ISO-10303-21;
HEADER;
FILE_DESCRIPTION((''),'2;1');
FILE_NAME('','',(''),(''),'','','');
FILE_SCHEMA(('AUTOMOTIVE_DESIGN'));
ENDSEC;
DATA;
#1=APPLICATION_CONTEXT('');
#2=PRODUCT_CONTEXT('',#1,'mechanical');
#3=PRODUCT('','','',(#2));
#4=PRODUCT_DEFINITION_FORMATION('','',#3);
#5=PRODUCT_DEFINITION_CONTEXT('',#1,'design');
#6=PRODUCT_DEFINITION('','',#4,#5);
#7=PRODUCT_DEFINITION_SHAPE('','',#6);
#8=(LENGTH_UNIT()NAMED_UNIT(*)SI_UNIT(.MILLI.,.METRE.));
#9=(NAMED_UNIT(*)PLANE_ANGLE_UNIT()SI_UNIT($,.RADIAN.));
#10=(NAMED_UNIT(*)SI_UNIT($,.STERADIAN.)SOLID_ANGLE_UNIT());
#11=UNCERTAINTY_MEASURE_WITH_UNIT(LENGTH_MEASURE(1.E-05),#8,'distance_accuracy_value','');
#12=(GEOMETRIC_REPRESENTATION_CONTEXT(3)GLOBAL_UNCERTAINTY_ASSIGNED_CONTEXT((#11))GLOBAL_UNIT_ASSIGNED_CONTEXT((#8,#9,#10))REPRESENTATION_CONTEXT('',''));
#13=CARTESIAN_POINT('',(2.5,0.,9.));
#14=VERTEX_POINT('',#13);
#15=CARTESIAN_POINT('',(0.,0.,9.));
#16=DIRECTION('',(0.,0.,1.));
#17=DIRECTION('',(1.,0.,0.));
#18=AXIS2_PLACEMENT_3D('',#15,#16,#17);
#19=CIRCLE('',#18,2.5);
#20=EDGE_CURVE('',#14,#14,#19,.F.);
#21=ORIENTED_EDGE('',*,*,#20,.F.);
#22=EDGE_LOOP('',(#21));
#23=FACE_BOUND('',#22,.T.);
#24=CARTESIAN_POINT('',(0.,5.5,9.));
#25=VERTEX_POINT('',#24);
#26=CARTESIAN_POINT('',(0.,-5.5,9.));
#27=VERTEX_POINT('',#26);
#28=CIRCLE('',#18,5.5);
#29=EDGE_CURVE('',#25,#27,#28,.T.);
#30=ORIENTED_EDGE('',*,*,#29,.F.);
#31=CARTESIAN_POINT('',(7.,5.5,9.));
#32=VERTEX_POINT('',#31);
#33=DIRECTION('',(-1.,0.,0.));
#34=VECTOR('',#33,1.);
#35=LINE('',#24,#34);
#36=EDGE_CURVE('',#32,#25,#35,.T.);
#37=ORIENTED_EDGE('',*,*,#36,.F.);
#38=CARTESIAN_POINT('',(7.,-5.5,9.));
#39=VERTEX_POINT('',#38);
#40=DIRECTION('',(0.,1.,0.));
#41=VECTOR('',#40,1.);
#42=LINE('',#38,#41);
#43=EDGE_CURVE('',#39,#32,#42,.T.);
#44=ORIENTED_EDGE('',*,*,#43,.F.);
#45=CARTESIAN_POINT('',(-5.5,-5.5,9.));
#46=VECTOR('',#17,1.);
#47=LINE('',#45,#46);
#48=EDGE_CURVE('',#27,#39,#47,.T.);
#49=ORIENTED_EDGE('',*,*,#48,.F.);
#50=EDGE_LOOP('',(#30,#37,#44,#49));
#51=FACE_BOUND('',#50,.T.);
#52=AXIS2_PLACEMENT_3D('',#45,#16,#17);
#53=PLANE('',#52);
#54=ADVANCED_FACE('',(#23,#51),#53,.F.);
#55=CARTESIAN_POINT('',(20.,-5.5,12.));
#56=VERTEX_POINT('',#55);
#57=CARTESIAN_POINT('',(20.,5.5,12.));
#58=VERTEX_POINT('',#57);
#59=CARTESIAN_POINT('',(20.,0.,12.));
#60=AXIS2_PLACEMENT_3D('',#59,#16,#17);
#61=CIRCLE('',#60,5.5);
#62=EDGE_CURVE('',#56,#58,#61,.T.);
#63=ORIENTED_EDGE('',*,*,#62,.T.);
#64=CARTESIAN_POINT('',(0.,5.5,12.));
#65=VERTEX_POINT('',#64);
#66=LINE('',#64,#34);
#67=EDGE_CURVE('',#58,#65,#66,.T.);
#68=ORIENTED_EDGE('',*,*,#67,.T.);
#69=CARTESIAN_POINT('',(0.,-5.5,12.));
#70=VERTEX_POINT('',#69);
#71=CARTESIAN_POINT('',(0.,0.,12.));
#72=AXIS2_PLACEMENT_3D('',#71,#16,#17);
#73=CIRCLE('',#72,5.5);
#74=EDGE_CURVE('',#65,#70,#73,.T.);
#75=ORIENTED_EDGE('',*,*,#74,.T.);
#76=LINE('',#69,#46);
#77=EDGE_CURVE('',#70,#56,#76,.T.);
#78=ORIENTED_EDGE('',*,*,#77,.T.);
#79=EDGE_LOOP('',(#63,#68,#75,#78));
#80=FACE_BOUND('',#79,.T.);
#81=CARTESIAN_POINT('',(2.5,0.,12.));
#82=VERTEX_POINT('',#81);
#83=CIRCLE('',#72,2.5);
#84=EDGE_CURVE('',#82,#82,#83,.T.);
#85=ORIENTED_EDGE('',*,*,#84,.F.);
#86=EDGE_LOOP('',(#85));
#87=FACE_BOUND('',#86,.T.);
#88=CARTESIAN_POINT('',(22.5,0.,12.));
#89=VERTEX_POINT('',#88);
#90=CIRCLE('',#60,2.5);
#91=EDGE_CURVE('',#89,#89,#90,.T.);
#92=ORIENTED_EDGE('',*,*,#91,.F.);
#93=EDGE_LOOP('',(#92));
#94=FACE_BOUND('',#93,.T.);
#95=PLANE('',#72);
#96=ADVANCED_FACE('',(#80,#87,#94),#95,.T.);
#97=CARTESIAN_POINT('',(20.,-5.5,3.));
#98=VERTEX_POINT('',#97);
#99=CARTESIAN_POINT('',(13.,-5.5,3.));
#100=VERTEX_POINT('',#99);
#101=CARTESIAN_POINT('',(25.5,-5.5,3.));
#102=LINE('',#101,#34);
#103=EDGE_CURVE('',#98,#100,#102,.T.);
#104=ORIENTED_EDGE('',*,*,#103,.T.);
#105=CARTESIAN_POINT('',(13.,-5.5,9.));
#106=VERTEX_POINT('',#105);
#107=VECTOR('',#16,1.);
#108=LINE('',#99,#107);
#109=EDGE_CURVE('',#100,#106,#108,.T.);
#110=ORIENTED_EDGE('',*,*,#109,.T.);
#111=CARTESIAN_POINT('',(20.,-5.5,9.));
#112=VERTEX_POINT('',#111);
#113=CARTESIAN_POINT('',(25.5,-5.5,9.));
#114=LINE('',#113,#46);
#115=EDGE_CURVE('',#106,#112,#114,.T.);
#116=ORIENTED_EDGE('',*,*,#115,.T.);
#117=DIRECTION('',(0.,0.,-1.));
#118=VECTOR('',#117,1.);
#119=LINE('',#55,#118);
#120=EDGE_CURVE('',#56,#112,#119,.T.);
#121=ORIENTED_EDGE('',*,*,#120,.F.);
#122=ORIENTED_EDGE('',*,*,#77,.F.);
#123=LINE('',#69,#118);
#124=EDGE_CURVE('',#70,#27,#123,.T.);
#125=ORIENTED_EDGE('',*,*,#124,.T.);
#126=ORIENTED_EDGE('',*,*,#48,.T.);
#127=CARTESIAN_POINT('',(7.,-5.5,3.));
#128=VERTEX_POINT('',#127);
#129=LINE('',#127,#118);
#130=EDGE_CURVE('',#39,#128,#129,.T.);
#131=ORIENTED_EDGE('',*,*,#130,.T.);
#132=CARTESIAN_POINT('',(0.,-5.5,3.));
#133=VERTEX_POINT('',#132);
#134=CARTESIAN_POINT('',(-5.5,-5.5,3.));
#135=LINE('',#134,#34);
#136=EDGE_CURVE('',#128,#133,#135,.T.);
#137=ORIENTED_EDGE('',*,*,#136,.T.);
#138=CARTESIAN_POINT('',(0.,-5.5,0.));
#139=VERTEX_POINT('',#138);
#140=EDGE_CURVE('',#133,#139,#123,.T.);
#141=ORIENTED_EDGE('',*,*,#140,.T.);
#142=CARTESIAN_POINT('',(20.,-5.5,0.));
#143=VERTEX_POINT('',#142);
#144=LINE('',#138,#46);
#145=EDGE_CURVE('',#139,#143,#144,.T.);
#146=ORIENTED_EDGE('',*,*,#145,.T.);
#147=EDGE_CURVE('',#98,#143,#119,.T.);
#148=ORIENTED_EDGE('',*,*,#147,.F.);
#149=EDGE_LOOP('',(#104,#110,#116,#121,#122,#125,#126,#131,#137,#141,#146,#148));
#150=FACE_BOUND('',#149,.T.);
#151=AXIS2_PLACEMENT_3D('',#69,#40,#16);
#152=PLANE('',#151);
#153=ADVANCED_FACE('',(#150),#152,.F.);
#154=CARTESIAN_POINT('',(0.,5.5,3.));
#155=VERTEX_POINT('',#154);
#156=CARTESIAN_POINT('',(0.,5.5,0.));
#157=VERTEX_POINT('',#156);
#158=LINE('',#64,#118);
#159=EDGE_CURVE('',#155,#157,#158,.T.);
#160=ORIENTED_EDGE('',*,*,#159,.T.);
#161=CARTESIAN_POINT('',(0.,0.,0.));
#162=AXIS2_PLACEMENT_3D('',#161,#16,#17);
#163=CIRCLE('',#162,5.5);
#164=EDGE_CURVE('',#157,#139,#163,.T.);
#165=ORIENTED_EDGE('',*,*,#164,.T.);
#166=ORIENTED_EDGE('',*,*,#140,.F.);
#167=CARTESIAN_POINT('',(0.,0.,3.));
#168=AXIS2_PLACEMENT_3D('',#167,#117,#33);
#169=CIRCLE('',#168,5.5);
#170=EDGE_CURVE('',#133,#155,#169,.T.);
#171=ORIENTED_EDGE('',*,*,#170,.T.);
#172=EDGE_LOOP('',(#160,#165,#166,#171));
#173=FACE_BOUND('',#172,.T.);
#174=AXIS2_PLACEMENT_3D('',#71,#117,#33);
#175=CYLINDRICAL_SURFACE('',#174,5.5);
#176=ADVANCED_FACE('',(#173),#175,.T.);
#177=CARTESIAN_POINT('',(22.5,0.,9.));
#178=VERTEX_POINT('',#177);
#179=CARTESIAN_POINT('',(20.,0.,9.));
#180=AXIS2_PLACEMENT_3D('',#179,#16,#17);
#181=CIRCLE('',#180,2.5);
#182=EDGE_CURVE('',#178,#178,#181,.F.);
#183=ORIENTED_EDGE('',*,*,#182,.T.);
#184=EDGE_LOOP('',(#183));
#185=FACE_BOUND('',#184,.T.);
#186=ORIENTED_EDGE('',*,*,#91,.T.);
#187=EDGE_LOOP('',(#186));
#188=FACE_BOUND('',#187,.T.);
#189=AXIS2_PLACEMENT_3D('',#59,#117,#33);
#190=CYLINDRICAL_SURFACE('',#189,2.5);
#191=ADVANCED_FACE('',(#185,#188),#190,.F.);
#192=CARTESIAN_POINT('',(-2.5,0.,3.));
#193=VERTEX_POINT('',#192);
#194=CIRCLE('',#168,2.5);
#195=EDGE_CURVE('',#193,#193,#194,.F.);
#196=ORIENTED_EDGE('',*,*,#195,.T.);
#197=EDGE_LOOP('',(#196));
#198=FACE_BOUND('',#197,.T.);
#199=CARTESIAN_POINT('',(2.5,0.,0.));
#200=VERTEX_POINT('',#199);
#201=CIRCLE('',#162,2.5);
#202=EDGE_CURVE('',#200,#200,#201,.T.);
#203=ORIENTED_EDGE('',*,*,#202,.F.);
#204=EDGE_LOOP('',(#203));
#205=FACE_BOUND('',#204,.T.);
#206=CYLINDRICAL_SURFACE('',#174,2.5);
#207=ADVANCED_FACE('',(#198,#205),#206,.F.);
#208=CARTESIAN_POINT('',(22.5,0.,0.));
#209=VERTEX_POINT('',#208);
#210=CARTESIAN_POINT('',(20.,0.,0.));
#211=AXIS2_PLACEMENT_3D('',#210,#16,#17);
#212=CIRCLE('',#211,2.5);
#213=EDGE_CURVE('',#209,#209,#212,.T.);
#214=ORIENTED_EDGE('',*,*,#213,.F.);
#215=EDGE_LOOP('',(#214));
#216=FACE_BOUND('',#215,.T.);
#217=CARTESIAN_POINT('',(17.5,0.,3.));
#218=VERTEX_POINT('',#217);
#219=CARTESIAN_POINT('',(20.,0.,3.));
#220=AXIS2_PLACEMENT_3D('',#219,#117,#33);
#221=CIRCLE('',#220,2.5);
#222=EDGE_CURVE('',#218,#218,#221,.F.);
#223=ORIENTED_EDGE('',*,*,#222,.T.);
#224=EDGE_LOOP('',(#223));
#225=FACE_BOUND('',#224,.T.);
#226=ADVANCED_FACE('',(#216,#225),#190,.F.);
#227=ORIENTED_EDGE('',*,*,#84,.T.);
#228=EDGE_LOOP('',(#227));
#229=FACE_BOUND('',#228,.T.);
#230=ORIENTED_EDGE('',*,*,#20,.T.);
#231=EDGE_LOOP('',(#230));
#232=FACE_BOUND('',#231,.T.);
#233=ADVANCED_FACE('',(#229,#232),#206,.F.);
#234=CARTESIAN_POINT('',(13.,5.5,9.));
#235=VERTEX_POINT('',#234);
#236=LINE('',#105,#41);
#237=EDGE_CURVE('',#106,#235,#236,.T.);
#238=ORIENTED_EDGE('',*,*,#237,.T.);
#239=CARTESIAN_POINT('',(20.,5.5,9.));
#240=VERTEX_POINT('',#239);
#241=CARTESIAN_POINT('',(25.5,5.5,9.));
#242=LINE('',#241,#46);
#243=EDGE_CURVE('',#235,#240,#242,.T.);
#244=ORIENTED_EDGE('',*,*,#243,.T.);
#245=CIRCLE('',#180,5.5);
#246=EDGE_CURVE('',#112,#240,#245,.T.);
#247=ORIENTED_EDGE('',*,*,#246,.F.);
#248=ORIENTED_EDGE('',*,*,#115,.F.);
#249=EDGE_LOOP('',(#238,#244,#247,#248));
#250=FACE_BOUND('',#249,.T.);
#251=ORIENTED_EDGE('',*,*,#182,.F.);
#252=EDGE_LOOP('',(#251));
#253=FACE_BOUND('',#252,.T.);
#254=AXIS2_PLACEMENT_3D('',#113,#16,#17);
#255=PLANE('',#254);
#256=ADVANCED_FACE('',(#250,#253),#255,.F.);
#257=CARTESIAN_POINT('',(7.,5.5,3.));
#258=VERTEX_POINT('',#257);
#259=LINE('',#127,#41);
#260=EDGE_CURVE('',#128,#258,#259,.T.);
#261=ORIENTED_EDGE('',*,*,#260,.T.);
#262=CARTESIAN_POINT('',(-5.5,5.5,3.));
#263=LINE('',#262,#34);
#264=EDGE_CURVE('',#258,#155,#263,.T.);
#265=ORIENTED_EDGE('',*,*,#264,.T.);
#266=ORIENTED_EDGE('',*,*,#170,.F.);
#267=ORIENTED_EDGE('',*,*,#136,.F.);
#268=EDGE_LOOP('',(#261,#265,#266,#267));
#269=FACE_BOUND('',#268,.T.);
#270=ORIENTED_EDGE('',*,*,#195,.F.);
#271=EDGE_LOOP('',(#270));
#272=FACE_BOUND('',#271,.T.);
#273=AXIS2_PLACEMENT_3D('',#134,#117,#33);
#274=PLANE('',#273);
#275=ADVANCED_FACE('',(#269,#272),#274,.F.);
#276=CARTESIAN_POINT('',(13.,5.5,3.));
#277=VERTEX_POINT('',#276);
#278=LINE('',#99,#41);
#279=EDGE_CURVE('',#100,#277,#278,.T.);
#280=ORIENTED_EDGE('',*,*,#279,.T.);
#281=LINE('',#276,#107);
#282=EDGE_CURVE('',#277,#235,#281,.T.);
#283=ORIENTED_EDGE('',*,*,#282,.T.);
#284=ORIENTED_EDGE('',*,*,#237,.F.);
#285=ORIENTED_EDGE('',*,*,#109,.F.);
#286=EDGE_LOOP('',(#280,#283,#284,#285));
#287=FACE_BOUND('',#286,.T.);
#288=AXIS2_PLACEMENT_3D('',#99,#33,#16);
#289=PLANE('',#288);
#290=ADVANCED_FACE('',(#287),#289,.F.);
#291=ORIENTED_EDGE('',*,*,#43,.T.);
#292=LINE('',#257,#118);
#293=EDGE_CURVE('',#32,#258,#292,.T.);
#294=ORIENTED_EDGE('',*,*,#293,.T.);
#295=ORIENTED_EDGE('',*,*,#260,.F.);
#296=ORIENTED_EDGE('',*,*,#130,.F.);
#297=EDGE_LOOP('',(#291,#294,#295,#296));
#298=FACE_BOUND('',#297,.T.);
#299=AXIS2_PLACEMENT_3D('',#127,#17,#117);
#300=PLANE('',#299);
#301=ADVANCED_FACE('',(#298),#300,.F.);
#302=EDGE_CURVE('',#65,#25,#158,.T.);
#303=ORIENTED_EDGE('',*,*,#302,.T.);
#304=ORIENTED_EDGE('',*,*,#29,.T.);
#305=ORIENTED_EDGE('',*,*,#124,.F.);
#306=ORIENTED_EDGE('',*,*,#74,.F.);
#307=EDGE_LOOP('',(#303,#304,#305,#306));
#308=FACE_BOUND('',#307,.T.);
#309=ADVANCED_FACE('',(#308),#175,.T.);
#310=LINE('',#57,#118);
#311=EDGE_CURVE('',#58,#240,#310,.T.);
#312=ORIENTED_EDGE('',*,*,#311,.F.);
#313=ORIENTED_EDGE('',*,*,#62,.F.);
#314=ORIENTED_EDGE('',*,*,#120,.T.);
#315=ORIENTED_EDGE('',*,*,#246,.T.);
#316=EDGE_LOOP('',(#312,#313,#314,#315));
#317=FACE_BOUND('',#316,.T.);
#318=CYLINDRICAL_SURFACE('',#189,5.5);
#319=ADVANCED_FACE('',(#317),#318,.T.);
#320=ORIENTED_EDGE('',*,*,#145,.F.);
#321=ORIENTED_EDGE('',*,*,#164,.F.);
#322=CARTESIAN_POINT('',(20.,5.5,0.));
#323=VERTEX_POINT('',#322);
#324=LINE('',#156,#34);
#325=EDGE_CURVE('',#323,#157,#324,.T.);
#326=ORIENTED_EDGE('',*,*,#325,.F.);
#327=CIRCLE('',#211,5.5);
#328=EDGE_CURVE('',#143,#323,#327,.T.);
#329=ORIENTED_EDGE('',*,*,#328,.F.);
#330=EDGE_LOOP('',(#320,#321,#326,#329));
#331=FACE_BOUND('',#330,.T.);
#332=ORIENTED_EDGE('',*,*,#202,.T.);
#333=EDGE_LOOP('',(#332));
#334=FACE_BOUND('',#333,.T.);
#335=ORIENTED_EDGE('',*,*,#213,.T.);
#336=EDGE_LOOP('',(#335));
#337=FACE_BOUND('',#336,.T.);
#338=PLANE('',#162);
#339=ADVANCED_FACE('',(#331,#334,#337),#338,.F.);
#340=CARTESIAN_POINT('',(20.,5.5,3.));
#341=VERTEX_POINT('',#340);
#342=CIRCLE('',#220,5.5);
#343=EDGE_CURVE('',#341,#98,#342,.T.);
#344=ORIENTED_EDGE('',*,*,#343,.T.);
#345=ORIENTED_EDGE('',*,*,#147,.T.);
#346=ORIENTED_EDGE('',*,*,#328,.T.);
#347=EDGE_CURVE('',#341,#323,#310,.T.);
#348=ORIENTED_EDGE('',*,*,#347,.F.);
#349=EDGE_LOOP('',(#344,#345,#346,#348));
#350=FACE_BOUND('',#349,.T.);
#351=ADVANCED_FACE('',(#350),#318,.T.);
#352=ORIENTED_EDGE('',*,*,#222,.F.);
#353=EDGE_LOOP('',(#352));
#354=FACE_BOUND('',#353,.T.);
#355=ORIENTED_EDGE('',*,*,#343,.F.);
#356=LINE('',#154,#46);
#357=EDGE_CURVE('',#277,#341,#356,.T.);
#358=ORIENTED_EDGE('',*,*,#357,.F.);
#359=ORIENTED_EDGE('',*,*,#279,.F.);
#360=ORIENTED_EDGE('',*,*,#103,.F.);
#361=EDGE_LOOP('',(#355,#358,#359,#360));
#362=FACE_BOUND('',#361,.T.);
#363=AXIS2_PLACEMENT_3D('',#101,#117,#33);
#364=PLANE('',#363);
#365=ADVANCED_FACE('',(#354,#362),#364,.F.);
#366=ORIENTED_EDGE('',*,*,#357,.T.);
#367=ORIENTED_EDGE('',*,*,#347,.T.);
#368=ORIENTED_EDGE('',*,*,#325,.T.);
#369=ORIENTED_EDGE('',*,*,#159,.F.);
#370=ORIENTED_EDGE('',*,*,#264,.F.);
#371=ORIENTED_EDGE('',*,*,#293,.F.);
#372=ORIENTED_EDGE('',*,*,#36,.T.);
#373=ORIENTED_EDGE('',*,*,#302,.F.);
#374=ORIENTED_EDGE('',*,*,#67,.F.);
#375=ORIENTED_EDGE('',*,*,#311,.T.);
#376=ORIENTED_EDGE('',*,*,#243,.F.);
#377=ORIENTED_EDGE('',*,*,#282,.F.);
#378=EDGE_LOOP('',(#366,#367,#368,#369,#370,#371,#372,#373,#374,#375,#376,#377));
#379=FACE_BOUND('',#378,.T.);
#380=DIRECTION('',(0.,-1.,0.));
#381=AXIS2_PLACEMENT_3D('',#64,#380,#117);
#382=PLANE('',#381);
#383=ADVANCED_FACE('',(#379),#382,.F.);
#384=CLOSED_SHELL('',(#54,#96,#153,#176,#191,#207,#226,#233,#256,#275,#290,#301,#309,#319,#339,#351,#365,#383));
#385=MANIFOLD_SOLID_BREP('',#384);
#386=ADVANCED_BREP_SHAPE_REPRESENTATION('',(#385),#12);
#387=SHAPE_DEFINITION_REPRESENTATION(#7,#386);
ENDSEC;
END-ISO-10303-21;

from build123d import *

# Parameters (mm, degrees)
BOSS_EXTRUDE1_DEPTH = 12
SKETCH6_W           = 12.5
SKETCH6_H           = 6
CUT_EXTRUDE1_DEPTH  = 31.253099015
SKETCH2_R           = 2.5
CUT_EXTRUDE2_DEPTH  = 29.714108031


with BuildPart() as part:
    # Sketch5 → Boss-Extrude1 (new body)
    with BuildSketch(Plane.XY):
        with BuildLine():
            Line((0, 5.5), (20, 5.5))
            ThreePointArc((20, 5.5), (25.5, 0), (20, -5.5))
            Line((20, -5.5), (0, -5.5))
            ThreePointArc((0, -5.5), (-5.5, 0), (0, 5.5))
        make_face()
    extrude(amount=BOSS_EXTRUDE1_DEPTH)

    # Sketch6 → Cut-Extrude1 (cut, through all)
    with BuildSketch(Plane(origin=(0, 5.5, 0), x_dir=(1, 0, 0), z_dir=(0, 1, 0))):
        with Locations((0.75, -6)):
            Rectangle(SKETCH6_W, SKETCH6_H)
        with Locations((19.25, -6)):
            Rectangle(SKETCH6_W, SKETCH6_H)
    extrude(amount=-CUT_EXTRUDE1_DEPTH, mode=Mode.SUBTRACT)

    # Sketch2 → Cut-Extrude2 (cut, through all)
    with BuildSketch(Plane.XY):
        Circle(SKETCH2_R)
        with Locations(Location((20, 0, 0), (0, 0, 180))):
            Circle(SKETCH2_R)
    extrude(amount=CUT_EXTRUDE2_DEPTH, mode=Mode.SUBTRACT)


solid = part.part
